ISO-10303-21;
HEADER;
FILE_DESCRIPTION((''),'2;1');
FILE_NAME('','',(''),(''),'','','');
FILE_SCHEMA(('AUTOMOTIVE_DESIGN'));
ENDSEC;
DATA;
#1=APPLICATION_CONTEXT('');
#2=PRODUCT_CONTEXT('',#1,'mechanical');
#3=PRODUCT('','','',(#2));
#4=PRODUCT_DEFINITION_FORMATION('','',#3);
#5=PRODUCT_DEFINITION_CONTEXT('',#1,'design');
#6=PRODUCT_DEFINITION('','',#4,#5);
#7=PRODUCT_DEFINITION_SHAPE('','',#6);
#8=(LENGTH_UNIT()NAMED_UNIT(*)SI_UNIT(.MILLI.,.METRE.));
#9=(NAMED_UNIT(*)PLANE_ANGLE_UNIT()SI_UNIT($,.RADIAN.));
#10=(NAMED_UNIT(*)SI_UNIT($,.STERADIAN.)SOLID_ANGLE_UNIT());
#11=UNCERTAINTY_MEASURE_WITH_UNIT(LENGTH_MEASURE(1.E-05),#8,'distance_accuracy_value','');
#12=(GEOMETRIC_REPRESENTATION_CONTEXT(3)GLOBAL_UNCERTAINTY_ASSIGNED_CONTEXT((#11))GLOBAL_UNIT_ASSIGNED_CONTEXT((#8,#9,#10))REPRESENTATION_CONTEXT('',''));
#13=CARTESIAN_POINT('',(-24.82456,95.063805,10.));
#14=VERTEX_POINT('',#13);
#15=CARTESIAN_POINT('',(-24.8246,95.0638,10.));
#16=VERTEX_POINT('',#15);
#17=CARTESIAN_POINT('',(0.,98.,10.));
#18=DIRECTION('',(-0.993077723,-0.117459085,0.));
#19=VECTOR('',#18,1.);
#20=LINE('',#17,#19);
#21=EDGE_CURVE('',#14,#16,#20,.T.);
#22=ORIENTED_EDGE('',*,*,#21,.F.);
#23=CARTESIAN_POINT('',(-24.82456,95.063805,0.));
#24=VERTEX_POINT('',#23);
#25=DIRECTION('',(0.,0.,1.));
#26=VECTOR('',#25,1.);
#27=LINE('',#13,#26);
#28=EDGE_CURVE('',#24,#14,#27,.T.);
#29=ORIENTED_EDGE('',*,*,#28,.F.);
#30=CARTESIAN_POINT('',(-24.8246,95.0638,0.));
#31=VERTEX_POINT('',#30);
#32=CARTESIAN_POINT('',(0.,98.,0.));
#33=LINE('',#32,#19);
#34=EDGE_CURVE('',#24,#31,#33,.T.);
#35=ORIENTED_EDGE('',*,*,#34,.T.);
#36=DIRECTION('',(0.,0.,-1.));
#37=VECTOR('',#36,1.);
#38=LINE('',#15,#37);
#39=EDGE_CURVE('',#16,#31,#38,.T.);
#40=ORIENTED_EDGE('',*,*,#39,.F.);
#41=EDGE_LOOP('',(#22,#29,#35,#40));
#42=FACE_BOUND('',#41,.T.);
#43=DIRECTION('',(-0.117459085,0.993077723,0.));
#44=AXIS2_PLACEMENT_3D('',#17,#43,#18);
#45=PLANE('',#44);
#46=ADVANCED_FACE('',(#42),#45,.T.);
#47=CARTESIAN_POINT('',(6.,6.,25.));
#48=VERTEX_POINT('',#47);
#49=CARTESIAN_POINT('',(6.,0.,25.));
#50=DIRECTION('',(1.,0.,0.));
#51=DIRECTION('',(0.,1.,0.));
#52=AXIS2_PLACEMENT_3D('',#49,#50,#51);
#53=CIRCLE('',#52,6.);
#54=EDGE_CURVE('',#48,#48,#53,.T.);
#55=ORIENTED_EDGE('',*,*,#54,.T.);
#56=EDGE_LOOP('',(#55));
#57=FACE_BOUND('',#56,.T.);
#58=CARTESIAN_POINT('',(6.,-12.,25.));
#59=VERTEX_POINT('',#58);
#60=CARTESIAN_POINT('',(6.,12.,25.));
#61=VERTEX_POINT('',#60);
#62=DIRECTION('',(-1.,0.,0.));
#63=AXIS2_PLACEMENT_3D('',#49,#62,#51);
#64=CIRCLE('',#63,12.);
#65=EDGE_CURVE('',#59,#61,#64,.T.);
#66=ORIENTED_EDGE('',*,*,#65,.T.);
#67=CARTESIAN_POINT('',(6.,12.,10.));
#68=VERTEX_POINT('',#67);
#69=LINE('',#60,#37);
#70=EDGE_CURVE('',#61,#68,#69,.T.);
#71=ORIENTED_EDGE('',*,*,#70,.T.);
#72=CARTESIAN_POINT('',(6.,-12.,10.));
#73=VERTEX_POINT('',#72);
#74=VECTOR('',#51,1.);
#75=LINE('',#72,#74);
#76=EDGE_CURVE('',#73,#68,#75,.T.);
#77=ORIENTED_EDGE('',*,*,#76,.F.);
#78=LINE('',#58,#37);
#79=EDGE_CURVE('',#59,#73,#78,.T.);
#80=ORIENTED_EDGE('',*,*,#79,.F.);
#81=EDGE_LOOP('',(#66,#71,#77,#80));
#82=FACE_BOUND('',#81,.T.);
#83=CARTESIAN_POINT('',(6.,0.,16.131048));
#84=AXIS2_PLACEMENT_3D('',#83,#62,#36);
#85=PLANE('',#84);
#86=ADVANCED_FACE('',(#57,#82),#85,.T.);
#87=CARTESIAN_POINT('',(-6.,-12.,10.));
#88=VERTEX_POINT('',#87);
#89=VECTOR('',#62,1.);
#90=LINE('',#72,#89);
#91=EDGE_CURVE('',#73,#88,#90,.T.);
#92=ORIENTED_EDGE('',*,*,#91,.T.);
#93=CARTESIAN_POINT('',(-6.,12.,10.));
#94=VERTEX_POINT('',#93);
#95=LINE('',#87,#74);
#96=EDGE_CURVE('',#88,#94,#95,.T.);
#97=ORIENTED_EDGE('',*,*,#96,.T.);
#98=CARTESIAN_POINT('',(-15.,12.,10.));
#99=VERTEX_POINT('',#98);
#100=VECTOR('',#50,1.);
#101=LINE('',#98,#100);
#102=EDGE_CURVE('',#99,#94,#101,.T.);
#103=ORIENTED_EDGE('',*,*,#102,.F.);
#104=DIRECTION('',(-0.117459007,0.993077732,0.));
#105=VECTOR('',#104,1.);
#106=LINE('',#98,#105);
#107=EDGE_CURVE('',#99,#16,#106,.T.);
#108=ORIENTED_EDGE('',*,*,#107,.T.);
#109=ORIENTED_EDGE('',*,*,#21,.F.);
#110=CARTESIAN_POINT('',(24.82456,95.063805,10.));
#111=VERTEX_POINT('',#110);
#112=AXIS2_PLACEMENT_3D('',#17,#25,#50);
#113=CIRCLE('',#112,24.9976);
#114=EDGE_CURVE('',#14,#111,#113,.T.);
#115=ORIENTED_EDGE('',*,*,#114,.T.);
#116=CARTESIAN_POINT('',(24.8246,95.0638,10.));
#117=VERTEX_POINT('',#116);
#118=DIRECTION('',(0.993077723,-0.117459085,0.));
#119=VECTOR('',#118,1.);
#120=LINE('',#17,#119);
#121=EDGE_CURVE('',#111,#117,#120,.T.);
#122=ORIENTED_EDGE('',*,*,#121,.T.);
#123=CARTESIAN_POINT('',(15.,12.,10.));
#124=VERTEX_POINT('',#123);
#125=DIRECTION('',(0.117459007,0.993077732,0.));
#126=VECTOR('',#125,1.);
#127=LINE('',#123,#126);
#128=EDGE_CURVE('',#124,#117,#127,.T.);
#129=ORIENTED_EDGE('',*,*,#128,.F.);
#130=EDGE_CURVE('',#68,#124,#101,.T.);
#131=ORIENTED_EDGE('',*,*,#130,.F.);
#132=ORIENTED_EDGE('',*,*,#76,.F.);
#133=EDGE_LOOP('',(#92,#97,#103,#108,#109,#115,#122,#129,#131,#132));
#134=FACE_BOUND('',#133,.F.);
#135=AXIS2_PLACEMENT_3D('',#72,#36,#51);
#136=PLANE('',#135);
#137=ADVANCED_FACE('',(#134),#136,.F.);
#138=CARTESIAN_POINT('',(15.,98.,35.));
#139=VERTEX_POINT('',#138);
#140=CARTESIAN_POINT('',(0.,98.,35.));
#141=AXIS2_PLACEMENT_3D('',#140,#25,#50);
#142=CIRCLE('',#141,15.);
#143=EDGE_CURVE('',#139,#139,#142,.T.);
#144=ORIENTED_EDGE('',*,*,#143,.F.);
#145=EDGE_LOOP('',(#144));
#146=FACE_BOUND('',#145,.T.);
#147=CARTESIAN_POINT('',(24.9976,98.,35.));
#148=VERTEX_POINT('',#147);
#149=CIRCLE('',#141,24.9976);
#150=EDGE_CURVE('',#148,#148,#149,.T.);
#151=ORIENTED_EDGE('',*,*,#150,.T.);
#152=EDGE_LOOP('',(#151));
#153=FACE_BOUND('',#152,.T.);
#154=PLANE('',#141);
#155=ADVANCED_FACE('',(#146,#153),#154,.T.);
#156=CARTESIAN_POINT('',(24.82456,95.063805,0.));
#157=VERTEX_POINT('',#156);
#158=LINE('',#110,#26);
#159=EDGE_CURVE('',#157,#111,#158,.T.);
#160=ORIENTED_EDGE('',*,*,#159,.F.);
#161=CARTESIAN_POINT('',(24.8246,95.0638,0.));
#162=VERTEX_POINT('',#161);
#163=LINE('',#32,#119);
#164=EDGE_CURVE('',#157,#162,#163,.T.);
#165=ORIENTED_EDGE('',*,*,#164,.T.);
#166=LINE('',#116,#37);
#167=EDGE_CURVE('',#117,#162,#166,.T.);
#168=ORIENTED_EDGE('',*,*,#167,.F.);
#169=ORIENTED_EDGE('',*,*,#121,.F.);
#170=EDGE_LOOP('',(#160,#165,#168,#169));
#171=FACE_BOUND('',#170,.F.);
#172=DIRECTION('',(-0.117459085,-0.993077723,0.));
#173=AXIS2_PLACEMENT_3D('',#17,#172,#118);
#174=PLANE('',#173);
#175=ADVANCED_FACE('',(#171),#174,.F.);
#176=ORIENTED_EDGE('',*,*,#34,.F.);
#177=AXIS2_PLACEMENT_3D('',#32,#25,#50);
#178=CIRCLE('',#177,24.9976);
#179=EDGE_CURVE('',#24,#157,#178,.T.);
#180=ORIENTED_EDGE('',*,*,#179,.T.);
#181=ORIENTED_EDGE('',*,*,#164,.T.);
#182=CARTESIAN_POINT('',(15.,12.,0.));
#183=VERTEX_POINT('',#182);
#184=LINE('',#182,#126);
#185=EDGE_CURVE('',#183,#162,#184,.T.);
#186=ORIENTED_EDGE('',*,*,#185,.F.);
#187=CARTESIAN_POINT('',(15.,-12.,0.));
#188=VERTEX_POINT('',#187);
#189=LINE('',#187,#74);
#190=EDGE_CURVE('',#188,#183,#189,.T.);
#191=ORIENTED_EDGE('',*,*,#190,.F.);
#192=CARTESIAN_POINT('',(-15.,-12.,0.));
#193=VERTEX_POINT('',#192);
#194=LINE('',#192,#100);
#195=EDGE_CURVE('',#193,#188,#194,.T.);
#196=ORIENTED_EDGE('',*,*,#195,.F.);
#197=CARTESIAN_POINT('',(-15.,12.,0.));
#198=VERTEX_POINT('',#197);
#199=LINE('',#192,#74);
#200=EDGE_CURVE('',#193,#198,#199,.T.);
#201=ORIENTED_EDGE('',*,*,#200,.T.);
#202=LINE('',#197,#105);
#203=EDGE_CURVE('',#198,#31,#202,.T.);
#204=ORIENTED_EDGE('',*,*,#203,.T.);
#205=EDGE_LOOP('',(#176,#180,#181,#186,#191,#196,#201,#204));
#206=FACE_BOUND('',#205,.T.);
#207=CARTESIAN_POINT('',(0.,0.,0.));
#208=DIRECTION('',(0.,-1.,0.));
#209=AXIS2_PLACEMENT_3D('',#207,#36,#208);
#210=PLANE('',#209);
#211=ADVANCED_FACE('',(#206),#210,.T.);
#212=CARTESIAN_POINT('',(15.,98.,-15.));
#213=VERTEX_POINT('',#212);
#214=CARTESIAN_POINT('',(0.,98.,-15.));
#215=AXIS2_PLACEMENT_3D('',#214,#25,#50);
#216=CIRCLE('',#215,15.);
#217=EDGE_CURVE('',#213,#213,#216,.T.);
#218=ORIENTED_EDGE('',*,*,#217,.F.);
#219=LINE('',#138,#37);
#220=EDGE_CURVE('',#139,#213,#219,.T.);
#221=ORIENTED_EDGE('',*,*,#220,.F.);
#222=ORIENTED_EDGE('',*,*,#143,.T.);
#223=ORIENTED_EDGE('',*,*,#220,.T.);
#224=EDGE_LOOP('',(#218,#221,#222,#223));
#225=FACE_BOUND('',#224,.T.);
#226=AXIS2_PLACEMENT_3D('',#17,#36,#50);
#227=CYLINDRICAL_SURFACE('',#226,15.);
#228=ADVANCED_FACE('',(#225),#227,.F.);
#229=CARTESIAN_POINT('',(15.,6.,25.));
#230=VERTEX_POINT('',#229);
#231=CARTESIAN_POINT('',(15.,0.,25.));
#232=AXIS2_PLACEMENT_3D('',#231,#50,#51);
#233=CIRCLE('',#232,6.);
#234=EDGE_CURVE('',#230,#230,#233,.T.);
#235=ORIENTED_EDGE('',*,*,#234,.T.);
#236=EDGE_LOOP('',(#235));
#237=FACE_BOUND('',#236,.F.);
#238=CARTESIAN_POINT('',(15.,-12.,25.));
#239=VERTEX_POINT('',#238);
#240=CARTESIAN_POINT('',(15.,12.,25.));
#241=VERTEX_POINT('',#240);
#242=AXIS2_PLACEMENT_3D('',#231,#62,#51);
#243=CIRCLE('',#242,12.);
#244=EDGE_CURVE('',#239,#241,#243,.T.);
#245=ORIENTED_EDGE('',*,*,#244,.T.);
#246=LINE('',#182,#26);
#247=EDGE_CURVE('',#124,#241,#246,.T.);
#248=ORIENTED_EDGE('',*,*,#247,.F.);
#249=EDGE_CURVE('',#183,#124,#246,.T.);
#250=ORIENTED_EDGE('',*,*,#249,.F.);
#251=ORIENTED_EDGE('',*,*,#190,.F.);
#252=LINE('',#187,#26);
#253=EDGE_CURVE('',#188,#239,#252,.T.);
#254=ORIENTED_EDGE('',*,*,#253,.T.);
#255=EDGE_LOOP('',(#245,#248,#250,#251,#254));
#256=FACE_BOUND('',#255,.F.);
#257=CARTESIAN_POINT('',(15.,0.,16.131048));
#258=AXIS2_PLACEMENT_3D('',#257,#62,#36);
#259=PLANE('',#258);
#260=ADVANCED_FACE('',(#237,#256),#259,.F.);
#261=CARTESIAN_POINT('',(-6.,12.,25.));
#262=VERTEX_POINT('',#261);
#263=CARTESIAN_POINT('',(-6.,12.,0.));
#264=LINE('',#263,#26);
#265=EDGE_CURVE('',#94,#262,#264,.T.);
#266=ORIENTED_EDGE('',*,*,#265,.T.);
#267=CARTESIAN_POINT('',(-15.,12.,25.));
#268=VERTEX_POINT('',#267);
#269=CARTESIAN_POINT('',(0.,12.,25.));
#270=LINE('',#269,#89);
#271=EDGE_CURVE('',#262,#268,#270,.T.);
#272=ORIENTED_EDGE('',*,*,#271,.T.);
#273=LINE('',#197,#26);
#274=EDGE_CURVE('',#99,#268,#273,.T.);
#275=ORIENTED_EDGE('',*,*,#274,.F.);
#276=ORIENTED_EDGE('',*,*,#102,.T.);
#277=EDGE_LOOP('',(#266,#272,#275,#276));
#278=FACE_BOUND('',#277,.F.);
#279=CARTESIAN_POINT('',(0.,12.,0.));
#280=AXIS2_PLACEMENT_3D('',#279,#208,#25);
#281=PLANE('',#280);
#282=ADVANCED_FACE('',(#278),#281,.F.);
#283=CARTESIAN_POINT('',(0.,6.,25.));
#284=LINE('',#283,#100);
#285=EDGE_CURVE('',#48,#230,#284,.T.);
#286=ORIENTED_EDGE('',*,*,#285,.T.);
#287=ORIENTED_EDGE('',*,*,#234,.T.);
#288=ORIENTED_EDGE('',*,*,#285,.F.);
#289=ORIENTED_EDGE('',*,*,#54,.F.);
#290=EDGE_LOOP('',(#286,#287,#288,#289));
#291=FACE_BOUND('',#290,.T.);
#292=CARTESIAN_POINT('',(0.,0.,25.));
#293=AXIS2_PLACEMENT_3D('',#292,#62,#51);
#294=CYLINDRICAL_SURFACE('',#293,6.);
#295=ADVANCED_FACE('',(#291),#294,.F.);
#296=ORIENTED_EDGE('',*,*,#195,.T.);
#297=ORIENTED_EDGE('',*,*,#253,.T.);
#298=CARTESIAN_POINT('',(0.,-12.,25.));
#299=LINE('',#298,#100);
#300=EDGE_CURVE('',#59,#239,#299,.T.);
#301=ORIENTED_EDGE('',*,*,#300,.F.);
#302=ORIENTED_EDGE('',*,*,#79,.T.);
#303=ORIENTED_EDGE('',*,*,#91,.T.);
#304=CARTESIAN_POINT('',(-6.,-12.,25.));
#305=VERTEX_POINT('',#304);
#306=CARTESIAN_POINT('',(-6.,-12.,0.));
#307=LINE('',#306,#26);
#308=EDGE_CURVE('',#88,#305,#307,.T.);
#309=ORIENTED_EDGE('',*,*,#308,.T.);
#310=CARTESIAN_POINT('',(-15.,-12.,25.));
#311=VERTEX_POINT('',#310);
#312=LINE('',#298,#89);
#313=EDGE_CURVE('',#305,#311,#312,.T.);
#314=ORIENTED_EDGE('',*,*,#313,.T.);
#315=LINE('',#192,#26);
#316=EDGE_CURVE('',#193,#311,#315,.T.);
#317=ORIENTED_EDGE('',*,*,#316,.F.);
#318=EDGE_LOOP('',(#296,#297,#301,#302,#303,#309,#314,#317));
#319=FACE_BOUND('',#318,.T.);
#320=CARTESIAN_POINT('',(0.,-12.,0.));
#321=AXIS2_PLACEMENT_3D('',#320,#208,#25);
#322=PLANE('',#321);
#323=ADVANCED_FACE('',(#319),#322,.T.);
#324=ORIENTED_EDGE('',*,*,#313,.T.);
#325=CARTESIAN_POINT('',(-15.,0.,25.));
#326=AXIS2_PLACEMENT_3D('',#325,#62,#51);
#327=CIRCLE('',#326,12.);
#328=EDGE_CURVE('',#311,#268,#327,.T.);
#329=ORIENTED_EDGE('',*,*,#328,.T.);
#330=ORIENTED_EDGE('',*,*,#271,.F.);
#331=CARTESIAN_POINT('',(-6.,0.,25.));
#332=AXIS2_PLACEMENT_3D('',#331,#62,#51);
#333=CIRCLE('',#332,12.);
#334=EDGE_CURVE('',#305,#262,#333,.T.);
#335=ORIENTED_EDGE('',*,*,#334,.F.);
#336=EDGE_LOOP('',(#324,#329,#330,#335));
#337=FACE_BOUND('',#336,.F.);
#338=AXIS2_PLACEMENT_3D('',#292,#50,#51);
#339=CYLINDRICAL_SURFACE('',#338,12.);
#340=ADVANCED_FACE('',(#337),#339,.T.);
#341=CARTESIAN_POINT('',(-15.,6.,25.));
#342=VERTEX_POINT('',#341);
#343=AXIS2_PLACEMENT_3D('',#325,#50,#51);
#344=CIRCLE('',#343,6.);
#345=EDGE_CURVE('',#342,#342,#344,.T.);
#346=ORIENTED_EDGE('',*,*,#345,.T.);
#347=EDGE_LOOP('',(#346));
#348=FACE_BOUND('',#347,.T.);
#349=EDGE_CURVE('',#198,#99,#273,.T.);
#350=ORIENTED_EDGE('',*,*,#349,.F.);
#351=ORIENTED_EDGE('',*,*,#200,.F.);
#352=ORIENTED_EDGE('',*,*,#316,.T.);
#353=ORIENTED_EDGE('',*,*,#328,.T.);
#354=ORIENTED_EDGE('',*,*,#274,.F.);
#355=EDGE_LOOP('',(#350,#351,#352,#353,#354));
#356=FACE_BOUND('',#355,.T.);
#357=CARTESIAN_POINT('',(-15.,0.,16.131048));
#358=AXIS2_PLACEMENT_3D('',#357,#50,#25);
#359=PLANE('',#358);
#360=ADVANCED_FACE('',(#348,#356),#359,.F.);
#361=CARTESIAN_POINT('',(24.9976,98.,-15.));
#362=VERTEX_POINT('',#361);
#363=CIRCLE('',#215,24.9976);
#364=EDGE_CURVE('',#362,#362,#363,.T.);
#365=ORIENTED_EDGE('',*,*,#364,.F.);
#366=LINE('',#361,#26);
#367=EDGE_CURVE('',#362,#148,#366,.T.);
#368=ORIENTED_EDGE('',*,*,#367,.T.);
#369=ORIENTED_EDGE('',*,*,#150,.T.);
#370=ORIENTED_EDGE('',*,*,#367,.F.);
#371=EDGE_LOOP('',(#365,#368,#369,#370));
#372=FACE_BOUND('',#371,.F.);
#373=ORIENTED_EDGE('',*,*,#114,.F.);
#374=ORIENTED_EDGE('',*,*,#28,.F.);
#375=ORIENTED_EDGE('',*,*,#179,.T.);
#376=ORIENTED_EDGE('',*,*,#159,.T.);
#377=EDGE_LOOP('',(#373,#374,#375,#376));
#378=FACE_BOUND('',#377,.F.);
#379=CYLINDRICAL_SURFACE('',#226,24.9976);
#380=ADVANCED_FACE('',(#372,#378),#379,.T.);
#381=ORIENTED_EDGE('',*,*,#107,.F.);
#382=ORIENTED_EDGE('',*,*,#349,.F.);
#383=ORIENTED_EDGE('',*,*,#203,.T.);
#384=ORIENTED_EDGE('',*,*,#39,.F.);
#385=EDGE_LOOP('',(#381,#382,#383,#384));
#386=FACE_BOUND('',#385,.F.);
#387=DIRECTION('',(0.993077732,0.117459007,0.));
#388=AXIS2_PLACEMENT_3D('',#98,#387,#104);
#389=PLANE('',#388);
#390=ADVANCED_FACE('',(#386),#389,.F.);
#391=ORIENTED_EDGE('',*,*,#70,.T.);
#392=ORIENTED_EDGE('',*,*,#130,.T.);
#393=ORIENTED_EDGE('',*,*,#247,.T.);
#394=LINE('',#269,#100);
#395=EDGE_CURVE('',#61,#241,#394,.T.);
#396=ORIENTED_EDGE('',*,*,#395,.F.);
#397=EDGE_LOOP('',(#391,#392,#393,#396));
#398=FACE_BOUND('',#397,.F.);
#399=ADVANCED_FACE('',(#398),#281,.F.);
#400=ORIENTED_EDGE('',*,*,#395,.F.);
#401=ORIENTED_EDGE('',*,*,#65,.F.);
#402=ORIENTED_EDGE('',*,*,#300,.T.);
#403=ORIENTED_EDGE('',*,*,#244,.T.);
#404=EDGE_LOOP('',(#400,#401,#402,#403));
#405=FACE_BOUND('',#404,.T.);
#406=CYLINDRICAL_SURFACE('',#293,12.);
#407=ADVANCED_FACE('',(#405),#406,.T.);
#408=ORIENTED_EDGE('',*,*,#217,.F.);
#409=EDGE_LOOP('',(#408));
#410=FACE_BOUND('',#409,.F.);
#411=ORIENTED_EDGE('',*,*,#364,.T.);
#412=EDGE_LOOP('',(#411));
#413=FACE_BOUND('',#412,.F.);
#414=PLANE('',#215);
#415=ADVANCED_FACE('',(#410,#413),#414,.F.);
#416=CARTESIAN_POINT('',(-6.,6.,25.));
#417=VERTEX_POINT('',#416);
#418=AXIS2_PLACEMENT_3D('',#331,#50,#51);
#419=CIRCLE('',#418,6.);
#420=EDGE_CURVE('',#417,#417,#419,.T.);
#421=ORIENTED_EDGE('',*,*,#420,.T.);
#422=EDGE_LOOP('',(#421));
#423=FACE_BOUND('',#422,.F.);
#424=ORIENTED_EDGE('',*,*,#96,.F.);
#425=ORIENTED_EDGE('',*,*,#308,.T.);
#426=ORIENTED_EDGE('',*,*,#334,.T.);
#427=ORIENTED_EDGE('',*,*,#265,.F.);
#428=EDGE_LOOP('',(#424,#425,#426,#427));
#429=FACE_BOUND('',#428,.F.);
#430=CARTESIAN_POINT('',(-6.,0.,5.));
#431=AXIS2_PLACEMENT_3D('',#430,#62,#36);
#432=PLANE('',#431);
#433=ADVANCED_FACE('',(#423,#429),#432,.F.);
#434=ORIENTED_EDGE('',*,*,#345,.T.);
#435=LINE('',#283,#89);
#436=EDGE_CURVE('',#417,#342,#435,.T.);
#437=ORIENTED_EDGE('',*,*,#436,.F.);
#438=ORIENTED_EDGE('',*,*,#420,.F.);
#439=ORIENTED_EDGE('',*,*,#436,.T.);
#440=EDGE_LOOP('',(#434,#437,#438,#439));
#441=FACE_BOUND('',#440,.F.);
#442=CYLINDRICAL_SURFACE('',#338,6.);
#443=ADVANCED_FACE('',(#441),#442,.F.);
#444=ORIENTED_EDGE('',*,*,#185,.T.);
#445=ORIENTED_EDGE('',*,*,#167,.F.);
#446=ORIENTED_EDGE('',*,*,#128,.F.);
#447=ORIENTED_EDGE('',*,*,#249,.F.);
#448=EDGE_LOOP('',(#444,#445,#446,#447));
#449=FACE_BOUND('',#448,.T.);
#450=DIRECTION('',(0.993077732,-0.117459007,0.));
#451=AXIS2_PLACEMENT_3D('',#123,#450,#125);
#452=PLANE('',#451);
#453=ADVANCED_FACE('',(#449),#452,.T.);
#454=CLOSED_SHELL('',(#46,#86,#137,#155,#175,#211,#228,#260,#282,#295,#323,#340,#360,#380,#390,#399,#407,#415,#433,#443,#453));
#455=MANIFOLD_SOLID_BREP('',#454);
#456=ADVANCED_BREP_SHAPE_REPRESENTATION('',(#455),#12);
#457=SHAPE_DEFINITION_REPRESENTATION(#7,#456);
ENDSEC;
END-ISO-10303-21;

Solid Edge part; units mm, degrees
sketch "Sketch1" plane through (0, 0, 0) normal (1, 0, 0) x (0, 1, 0)
  line L0 (-12, 0) -> (-12, 25)
  line L1 (12, 0) -> (12, 25)
  line L2 (0, 0) -> (12, 0)
  line L3 (0, 0) -> (-12, 0)
  arc A0 (-12, 25) -> (12, 25) centre (0, 25) cw
  circle A1 centre (0, 25) radius 6
extrude "Protrusion1" add sketch "Sketch1" along normal blind 15
sketch "Sketch2" plane through (0, 0, 0) normal (1, 0, 0) x (0, 1, 0)
  line L0 (-12, 0) -> (-12, 25)
  line L1 (12, 0) -> (12, 25)
  line L2 (0, 0) -> (12, 0)
  line L3 (0, 0) -> (-12, 0)
  arc A0 (-12, 25) -> (12, 25) centre (0, 25) cw
  circle A1 centre (0, 25) radius 6
extrude "ExtrudedCutout_1" cut sketch "Sketch2" along normal blind 6
sketch "Sketch3" plane through (6, 0, 18.5) normal (-1, 0, 0) x (0, 0, 1)
  line L0 (-8.5, -12) -> (-8.5, 12)
  line L1 (-8.5, 12) -> (-18.5, 12)
  line L2 (-18.5, 12) -> (-18.5, -12)
  line L3 (-18.5, -12) -> (-8.5, -12)
extrude "ExtrudedProtrusion_4" add sketch "Sketch3" along normal blind 6
mirror "Mirror1" about plane through (0, 0, 0) normal (1, 0, 0) of "Protrusion1"
sketch "Sketch4" plane through (6, 0, 18.5) normal (-1, 0, 0) x (0, 0, 1)
  line L0 (-8.5, -12) -> (-8.5, 12)
  line L1 (-8.5, 12) -> (-18.5, 12)
  line L2 (-18.5, 12) -> (-18.5, -12)
  line L3 (-18.5, -12) -> (-8.5, -12)
extrude "ExtrudedCutout_2" cut sketch "Sketch4" along normal blind 12
sketch "Sketch5" plane through (0, 0, 0) normal (1, 0, 0) x (0, 1, 0)
  circle A0 centre (0, 25) radius 6
  line L0 (12, 25) -> (12, 10)
  line L1 (-12, 10) -> (12, 10)
  line L2 (-12, 25) -> (-12, 10)
  arc A1 (-12, 25) -> (12, 25) centre (0, 25) cw
extrude "ExtrudedCutout_3" cut sketch "Sketch5" against normal blind 6
sketch "Sketch6" plane through (6, 0, 18.5) normal (-1, 0, 0) x (0, 0, 1)
  line L0 (-8.5, -12) -> (-8.5, 12)
  line L1 (-8.5, 12) -> (-18.5, 12)
  line L2 (-18.5, 12) -> (-18.5, -12)
  line L3 (-18.5, -12) -> (-8.5, -12)
extrude "ExtrudedProtrusion_6" add sketch "Sketch6" along normal blind 12
sketch "Sketch7" plane through (0, 0, 10) normal (0, 0, 1) x (1, 0, 0)
  line L0 (-15, 12) -> (-24.8246, 95.0638)
  line L1 (0, 98) -> (-24.8246, 95.0638)
  line L2 (0, 98) -> (24.8246, 95.0638)
  line L3 (15, 12) -> (24.8246, 95.0638)
  line L4 (-15, 12) -> (15, 12)
extrude "ExtrudedProtrusion_9" add sketch "Sketch7" against normal blind 10
sketch "Sketch8" plane through (0, 0, 10) normal (0, 0, 1) x (1, 0, 0)
  circle A0 centre (0, 98) radius 24.9976
extrude "Cutout1" cut sketch "Sketch8" against normal blind 17.3955
sketch "Sketch9" plane through (0, 0, 10) normal (0, 0, 1) x (1, 0, 0)
  circle A0 centre (0, 98) radius 24.9976
  circle A1 centre (0, 98) radius 15
extrude "ExtrudedProtrusion_10" add sketch "Sketch9" along normal mid plane 50
